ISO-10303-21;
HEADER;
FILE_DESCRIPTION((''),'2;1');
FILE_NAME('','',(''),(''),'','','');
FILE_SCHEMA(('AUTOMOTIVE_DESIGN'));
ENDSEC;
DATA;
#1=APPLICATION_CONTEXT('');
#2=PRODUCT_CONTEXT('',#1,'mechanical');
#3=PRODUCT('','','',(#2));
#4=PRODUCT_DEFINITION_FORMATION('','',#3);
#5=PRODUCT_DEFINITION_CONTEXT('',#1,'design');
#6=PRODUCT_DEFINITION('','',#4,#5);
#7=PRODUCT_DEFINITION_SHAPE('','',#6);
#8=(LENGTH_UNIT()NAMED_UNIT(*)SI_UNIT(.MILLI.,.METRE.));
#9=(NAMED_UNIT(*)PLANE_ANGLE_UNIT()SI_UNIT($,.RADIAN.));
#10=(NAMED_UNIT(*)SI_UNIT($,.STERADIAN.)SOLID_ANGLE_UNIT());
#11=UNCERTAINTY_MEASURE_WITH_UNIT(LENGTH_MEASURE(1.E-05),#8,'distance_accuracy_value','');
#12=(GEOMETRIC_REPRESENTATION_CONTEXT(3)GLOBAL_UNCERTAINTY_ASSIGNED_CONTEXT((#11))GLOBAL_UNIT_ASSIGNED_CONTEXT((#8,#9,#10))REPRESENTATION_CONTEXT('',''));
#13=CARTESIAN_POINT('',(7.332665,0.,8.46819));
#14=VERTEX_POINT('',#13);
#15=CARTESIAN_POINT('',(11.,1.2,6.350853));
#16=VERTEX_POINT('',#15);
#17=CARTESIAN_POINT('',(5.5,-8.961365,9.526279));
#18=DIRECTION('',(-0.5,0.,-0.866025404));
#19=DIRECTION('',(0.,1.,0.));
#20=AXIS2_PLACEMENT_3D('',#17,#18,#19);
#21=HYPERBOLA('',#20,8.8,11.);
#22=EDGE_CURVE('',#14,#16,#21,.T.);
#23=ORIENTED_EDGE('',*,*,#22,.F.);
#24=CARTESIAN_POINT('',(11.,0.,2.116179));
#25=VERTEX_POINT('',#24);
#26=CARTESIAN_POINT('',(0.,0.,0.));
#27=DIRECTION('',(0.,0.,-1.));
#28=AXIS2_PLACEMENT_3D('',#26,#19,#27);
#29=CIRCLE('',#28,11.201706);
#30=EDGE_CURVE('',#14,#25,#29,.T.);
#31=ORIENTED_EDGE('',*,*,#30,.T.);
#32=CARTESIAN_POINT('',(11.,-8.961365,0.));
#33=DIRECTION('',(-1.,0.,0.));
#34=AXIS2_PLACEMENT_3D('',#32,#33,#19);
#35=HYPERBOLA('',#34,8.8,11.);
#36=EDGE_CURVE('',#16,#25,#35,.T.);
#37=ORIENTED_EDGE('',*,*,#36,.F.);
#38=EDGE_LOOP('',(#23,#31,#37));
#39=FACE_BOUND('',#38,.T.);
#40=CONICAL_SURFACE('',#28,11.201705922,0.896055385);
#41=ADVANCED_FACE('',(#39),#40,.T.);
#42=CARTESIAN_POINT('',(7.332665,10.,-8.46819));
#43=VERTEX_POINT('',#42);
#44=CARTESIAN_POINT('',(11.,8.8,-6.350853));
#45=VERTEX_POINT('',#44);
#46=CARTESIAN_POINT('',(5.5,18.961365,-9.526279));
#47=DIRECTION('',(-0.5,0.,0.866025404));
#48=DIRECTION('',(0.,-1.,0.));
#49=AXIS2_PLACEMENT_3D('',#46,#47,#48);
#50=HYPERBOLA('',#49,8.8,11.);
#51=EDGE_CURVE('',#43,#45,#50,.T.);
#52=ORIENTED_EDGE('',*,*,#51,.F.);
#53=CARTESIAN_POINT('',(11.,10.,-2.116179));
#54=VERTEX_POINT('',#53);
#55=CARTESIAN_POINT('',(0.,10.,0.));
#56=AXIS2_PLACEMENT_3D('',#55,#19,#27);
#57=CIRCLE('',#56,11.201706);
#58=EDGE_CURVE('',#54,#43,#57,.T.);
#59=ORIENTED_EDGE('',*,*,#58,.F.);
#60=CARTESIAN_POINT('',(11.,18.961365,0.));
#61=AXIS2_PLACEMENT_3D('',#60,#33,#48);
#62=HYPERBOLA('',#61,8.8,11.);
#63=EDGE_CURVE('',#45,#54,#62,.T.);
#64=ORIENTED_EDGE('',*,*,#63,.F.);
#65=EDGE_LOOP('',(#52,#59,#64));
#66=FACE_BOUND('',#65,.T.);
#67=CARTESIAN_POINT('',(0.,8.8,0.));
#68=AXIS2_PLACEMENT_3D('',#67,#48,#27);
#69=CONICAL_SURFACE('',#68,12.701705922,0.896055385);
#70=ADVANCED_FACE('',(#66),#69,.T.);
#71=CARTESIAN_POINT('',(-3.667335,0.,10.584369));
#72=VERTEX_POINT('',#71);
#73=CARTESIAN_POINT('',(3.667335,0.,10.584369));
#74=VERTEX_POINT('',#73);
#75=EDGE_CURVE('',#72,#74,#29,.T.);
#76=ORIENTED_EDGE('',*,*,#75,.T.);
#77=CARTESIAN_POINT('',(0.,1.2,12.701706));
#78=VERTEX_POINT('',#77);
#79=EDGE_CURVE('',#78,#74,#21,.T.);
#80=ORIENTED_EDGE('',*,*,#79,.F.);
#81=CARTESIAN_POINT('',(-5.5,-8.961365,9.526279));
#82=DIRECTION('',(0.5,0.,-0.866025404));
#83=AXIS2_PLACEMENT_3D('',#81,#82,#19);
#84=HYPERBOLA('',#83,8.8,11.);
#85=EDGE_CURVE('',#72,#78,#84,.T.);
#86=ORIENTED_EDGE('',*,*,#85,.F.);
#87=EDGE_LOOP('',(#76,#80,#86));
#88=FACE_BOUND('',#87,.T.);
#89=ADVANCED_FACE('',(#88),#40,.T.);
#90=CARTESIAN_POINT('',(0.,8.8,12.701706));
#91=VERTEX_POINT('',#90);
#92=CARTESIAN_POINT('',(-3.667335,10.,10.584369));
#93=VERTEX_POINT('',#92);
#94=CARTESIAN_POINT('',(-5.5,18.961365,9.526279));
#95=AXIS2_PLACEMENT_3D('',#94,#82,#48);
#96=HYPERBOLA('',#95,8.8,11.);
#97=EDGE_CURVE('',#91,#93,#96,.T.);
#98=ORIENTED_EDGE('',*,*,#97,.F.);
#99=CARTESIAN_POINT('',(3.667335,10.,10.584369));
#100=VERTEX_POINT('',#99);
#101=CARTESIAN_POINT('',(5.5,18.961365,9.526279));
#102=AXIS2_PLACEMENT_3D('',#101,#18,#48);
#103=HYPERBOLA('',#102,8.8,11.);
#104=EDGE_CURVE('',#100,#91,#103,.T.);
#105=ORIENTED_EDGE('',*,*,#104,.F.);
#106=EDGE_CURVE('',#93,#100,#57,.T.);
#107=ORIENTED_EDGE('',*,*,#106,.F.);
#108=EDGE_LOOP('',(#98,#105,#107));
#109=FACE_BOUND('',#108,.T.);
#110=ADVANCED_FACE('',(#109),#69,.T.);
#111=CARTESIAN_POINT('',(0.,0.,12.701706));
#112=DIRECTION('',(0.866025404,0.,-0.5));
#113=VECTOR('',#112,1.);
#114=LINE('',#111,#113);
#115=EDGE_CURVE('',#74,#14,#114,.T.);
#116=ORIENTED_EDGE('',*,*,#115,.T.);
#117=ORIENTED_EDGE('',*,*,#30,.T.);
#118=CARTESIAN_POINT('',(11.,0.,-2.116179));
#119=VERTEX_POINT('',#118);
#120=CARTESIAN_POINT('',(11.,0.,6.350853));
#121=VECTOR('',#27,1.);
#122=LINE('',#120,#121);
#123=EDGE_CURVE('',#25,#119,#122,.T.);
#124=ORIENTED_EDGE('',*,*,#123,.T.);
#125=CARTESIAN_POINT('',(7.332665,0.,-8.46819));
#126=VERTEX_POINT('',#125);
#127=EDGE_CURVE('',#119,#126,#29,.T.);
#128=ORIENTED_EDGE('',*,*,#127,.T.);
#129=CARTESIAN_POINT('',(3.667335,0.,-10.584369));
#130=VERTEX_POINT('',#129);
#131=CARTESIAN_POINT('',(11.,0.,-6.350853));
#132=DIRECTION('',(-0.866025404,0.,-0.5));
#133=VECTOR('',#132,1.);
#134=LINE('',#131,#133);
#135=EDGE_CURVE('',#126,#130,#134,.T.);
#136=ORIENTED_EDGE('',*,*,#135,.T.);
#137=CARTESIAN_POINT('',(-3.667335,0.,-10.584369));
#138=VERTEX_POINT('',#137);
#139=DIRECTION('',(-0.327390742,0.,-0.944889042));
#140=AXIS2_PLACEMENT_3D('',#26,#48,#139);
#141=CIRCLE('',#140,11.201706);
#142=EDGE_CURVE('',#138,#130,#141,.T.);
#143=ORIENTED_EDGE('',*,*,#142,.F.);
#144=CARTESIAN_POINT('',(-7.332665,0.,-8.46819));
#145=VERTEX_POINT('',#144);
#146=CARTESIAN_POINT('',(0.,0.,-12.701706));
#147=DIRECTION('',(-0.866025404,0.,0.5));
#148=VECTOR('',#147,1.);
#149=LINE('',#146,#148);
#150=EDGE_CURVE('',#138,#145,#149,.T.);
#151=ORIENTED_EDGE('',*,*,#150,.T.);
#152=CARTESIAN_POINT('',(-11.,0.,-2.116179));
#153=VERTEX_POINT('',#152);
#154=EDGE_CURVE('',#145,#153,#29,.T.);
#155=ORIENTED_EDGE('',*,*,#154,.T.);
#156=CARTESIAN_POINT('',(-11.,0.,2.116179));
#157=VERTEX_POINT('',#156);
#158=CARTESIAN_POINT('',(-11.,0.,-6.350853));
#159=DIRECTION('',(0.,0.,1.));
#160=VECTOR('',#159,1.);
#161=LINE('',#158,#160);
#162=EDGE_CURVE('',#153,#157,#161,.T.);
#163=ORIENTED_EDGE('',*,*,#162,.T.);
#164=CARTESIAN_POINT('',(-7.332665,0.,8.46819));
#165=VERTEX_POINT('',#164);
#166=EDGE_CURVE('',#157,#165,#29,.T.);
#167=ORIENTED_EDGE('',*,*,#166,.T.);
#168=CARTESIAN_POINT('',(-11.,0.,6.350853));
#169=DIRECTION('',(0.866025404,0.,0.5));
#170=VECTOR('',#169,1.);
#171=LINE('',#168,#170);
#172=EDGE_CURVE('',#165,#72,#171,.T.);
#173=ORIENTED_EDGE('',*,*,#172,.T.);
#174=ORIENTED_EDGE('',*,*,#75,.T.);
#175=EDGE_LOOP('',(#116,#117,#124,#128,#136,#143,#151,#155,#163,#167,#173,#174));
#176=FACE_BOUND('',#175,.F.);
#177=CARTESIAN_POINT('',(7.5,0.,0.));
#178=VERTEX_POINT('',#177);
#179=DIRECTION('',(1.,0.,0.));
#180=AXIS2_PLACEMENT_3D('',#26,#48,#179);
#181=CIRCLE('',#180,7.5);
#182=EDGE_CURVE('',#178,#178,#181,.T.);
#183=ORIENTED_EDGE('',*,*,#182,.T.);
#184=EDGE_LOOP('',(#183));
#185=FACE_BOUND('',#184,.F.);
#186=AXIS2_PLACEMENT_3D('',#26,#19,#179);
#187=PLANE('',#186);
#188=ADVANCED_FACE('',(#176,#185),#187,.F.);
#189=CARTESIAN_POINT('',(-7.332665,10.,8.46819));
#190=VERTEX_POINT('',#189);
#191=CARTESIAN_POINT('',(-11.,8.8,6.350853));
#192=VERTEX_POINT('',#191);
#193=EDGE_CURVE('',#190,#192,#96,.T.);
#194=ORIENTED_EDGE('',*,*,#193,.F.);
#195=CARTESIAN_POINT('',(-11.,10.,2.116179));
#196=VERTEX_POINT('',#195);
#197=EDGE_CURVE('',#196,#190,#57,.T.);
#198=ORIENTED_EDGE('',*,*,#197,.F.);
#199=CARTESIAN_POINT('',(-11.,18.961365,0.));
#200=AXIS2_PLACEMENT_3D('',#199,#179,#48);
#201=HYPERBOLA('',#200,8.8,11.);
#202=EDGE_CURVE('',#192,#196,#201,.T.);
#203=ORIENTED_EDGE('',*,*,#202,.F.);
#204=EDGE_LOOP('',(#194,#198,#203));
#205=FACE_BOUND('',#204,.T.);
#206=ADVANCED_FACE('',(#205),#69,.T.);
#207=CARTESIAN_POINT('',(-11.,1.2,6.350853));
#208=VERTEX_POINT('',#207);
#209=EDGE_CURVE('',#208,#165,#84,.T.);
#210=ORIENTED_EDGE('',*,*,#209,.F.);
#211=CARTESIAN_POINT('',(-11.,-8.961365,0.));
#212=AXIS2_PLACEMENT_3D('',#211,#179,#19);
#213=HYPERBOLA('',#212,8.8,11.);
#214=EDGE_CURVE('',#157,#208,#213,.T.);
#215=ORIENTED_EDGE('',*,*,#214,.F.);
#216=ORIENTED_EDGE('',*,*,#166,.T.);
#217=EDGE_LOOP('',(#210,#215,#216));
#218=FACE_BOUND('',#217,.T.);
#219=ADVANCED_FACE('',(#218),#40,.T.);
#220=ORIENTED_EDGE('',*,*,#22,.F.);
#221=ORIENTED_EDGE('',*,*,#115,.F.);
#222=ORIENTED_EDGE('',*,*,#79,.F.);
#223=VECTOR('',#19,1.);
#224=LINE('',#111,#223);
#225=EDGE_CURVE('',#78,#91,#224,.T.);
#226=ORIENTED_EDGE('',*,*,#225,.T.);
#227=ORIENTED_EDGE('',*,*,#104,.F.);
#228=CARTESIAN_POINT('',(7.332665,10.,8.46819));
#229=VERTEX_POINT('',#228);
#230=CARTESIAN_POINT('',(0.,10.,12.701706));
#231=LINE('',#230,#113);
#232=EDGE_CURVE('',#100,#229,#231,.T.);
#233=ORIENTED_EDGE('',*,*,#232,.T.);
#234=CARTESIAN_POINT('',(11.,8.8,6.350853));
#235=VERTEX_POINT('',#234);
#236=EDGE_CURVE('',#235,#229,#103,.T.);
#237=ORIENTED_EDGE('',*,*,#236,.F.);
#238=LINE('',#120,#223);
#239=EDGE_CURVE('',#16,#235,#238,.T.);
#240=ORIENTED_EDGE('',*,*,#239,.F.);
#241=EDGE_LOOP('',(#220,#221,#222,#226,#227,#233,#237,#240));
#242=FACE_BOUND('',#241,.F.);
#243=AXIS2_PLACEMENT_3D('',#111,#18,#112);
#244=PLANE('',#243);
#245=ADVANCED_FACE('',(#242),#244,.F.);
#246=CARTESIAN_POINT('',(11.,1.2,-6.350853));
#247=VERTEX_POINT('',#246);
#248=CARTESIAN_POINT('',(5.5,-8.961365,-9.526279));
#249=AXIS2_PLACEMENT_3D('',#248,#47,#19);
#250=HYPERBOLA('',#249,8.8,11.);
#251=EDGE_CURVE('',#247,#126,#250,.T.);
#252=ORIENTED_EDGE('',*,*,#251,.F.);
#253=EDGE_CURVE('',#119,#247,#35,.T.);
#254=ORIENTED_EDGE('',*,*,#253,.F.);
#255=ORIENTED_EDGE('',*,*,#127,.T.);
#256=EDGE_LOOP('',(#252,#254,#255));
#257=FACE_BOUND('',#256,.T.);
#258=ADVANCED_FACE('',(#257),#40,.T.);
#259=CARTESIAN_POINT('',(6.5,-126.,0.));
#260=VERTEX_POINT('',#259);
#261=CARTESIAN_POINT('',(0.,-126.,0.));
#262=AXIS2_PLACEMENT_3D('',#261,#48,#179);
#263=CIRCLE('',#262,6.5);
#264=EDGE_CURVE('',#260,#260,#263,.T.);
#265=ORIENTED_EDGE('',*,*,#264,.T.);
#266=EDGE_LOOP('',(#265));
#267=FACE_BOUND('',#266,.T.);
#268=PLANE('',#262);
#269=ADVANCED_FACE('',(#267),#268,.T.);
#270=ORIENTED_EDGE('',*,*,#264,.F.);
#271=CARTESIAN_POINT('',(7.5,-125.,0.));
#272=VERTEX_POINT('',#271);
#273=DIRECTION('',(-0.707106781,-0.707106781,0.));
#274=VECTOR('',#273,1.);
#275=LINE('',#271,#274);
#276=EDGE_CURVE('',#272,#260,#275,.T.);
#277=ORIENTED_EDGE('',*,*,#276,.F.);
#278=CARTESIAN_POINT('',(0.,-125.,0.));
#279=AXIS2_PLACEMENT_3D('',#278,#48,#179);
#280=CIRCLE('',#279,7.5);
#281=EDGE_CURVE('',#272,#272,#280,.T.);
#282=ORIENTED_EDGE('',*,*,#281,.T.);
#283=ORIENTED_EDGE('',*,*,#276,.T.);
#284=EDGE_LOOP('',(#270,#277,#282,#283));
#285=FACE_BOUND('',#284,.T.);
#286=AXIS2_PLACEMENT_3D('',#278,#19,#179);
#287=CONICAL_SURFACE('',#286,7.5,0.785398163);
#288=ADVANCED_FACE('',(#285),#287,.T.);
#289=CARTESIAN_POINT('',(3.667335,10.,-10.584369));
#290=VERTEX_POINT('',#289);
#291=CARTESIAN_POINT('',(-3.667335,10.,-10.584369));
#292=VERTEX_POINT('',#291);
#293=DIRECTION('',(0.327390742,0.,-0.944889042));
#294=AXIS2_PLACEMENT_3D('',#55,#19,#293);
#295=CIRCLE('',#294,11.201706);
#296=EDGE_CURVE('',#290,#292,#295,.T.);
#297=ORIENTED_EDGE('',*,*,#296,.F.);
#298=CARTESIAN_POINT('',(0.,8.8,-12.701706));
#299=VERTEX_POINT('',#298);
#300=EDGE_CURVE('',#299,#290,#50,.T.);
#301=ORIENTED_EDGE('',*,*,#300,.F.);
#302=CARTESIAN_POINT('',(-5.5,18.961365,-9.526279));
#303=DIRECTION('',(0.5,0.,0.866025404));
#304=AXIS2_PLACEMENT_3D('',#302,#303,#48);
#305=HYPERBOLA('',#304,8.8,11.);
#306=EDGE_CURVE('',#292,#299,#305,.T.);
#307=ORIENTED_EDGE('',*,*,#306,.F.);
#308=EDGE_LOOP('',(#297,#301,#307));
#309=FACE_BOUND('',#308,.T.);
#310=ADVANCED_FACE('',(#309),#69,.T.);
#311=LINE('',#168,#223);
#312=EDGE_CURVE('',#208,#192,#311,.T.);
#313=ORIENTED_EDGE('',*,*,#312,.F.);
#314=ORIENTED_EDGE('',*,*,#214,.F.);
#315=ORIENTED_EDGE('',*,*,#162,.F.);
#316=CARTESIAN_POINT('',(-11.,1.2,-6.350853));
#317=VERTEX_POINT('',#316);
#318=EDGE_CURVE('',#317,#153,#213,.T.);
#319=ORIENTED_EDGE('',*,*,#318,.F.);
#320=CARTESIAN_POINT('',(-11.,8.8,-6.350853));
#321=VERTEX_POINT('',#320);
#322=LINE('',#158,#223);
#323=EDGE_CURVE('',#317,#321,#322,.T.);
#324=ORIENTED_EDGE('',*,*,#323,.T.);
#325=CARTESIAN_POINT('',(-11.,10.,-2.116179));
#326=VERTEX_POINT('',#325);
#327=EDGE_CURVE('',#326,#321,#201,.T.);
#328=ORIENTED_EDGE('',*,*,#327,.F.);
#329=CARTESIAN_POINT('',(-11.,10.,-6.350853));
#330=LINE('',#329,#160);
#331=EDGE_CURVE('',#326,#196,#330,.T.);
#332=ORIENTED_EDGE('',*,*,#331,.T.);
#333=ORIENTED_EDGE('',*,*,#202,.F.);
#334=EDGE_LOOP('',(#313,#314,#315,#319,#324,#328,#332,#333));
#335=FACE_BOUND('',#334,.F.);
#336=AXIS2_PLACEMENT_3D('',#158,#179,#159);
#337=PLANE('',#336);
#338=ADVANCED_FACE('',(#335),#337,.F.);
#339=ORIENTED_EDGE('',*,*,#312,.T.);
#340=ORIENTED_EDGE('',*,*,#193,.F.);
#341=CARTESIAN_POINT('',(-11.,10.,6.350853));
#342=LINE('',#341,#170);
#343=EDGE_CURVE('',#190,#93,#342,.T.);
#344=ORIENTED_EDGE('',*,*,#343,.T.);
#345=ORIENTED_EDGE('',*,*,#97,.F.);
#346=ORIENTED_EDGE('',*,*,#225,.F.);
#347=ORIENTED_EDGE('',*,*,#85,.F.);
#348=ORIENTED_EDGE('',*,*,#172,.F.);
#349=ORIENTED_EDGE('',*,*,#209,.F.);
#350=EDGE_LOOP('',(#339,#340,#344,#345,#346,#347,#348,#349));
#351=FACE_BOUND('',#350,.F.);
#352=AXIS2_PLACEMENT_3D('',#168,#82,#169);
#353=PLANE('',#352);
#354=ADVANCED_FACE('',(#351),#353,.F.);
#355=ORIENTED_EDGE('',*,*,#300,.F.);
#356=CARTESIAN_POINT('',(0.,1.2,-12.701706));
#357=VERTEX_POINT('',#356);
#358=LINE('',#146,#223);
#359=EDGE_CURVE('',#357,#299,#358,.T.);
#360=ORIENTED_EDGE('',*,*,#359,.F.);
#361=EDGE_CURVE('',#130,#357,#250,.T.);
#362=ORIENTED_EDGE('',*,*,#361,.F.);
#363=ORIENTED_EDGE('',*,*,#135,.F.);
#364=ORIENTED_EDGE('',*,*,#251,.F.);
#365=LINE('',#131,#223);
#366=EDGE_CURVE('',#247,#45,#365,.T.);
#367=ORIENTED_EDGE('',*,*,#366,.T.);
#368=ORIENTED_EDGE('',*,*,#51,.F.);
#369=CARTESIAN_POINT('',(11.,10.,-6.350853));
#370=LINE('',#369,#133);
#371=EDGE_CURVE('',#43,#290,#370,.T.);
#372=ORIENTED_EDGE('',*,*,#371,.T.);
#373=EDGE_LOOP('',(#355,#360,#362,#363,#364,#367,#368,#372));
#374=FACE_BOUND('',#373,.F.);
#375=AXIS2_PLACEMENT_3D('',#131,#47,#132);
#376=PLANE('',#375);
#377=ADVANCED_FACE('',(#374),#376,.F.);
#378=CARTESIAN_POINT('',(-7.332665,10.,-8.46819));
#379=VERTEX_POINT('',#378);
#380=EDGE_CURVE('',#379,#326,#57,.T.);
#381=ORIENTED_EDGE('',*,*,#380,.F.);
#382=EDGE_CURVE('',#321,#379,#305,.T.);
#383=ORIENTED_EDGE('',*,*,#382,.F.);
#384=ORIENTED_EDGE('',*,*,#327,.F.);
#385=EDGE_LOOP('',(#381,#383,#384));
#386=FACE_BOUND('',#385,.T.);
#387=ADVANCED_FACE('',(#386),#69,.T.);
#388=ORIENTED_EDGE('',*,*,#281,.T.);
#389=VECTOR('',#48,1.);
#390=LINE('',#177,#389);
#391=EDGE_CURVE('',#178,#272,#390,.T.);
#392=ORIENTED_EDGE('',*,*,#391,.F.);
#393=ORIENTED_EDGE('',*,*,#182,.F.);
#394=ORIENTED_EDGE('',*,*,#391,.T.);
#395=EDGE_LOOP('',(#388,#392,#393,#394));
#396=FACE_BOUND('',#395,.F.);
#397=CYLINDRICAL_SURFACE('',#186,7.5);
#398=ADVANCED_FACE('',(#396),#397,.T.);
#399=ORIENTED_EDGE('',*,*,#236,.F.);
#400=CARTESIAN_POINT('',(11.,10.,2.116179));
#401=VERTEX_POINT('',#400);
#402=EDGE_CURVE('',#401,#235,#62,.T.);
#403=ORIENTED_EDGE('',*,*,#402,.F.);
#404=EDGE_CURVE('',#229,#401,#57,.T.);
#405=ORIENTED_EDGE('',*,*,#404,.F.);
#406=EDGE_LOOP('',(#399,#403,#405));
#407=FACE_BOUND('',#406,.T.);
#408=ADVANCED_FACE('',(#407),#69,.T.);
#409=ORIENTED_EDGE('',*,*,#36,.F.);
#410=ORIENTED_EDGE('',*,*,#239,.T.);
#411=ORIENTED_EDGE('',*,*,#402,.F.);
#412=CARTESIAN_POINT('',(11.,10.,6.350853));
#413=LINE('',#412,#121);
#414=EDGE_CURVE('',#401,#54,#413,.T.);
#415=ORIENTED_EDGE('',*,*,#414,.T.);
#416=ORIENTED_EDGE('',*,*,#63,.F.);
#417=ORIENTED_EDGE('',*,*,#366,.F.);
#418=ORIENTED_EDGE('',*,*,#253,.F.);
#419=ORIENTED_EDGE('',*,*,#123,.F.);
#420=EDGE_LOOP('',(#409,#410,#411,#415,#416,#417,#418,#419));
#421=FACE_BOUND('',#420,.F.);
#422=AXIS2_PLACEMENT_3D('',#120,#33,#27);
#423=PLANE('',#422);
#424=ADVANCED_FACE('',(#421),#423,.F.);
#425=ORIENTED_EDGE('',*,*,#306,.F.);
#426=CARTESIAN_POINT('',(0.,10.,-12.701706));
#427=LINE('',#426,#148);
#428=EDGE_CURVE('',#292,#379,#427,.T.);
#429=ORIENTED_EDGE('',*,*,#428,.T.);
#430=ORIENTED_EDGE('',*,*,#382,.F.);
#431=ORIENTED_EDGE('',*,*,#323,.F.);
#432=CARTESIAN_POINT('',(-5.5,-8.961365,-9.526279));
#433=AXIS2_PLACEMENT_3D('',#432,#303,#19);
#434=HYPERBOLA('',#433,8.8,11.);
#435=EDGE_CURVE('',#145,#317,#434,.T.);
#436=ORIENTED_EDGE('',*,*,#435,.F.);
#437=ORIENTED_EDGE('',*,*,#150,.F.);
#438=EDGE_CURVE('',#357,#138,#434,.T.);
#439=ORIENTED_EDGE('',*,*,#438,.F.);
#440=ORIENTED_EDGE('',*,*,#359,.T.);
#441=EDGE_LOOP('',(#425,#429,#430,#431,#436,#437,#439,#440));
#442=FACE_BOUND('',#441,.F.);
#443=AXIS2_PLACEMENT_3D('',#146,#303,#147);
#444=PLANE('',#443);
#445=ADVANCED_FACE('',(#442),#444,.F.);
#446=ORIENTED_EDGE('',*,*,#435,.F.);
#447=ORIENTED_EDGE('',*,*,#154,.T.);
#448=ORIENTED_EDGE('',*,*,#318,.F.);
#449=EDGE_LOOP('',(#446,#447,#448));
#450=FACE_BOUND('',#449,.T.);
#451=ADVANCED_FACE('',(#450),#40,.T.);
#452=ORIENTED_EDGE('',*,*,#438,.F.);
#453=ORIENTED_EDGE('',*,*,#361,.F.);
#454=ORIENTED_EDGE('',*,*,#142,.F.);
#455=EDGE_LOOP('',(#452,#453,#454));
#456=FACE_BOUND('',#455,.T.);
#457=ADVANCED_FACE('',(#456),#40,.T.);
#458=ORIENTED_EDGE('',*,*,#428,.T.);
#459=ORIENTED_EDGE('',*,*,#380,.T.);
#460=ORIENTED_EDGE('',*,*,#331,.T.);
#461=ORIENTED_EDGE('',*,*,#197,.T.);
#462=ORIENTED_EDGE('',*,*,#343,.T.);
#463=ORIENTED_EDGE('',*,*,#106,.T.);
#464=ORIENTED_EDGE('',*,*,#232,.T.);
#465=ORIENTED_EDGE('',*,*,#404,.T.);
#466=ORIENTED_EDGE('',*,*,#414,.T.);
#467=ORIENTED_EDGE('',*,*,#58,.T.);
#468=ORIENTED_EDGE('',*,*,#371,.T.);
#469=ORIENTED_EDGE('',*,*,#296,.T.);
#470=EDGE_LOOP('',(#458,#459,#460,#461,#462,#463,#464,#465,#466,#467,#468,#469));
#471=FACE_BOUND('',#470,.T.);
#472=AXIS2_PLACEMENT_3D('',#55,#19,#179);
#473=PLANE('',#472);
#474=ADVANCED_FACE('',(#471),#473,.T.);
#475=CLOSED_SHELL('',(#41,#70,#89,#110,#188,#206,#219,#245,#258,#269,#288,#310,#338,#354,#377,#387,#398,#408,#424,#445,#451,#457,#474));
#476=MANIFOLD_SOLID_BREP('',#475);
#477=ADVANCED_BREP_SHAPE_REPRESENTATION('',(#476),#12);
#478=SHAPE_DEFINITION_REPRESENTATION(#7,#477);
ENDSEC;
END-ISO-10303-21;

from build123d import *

# Parameters (mm, degrees)
BOSS_EXTRUDE1_DEPTH = 10
SKETCH2_R           = 7.5
BOSS_EXTRUDE2_DEPTH = 126
CHAMFER1_SIZE       = 1


with BuildPart() as part:
    # Sketch1 → Boss-Extrude1 (new body)
    with BuildSketch(Plane(origin=(0, 0, 0), x_dir=(1, 0, 0), z_dir=(0, 1, 0))):
        Polygon((-11, 6.350852961), (-11, -6.350852961), (0, -12.701705922), (11, -6.350852961), (11, 6.350852961), (0, 12.701705922), align=None)
    extrude(amount=BOSS_EXTRUDE1_DEPTH)

    # Sketch2 → Boss-Extrude2 (add)
    with BuildSketch(Plane.XZ):
        Circle(SKETCH2_R)
    extrude(amount=BOSS_EXTRUDE2_DEPTH)

    # Chamfer1
    chamfer1_edges = [part.edges().sort_by_distance(p)[0] for p in [
        (-7.5, -126, 0),
    ]]
    chamfer(chamfer1_edges, length=CHAMFER1_SIZE)

    # Sketch4 → Cut-Revolve2 (revolve, cut)
    with BuildSketch(Plane(origin=(0, 0, 0), x_dir=(0, 0, -1), z_dir=(1, 0, 0))):
        Polygon((12.701705922, 10), (12.701705922, 8.8), (11.201705922, 10), align=None)
        Polygon((12.701705922, 1.2), (12.701705922, 0), (11.201705922, 0), align=None)
    revolve(axis=Axis((0, 0, 0), (0, 1, 0)), mode=Mode.SUBTRACT)


solid = part.part
